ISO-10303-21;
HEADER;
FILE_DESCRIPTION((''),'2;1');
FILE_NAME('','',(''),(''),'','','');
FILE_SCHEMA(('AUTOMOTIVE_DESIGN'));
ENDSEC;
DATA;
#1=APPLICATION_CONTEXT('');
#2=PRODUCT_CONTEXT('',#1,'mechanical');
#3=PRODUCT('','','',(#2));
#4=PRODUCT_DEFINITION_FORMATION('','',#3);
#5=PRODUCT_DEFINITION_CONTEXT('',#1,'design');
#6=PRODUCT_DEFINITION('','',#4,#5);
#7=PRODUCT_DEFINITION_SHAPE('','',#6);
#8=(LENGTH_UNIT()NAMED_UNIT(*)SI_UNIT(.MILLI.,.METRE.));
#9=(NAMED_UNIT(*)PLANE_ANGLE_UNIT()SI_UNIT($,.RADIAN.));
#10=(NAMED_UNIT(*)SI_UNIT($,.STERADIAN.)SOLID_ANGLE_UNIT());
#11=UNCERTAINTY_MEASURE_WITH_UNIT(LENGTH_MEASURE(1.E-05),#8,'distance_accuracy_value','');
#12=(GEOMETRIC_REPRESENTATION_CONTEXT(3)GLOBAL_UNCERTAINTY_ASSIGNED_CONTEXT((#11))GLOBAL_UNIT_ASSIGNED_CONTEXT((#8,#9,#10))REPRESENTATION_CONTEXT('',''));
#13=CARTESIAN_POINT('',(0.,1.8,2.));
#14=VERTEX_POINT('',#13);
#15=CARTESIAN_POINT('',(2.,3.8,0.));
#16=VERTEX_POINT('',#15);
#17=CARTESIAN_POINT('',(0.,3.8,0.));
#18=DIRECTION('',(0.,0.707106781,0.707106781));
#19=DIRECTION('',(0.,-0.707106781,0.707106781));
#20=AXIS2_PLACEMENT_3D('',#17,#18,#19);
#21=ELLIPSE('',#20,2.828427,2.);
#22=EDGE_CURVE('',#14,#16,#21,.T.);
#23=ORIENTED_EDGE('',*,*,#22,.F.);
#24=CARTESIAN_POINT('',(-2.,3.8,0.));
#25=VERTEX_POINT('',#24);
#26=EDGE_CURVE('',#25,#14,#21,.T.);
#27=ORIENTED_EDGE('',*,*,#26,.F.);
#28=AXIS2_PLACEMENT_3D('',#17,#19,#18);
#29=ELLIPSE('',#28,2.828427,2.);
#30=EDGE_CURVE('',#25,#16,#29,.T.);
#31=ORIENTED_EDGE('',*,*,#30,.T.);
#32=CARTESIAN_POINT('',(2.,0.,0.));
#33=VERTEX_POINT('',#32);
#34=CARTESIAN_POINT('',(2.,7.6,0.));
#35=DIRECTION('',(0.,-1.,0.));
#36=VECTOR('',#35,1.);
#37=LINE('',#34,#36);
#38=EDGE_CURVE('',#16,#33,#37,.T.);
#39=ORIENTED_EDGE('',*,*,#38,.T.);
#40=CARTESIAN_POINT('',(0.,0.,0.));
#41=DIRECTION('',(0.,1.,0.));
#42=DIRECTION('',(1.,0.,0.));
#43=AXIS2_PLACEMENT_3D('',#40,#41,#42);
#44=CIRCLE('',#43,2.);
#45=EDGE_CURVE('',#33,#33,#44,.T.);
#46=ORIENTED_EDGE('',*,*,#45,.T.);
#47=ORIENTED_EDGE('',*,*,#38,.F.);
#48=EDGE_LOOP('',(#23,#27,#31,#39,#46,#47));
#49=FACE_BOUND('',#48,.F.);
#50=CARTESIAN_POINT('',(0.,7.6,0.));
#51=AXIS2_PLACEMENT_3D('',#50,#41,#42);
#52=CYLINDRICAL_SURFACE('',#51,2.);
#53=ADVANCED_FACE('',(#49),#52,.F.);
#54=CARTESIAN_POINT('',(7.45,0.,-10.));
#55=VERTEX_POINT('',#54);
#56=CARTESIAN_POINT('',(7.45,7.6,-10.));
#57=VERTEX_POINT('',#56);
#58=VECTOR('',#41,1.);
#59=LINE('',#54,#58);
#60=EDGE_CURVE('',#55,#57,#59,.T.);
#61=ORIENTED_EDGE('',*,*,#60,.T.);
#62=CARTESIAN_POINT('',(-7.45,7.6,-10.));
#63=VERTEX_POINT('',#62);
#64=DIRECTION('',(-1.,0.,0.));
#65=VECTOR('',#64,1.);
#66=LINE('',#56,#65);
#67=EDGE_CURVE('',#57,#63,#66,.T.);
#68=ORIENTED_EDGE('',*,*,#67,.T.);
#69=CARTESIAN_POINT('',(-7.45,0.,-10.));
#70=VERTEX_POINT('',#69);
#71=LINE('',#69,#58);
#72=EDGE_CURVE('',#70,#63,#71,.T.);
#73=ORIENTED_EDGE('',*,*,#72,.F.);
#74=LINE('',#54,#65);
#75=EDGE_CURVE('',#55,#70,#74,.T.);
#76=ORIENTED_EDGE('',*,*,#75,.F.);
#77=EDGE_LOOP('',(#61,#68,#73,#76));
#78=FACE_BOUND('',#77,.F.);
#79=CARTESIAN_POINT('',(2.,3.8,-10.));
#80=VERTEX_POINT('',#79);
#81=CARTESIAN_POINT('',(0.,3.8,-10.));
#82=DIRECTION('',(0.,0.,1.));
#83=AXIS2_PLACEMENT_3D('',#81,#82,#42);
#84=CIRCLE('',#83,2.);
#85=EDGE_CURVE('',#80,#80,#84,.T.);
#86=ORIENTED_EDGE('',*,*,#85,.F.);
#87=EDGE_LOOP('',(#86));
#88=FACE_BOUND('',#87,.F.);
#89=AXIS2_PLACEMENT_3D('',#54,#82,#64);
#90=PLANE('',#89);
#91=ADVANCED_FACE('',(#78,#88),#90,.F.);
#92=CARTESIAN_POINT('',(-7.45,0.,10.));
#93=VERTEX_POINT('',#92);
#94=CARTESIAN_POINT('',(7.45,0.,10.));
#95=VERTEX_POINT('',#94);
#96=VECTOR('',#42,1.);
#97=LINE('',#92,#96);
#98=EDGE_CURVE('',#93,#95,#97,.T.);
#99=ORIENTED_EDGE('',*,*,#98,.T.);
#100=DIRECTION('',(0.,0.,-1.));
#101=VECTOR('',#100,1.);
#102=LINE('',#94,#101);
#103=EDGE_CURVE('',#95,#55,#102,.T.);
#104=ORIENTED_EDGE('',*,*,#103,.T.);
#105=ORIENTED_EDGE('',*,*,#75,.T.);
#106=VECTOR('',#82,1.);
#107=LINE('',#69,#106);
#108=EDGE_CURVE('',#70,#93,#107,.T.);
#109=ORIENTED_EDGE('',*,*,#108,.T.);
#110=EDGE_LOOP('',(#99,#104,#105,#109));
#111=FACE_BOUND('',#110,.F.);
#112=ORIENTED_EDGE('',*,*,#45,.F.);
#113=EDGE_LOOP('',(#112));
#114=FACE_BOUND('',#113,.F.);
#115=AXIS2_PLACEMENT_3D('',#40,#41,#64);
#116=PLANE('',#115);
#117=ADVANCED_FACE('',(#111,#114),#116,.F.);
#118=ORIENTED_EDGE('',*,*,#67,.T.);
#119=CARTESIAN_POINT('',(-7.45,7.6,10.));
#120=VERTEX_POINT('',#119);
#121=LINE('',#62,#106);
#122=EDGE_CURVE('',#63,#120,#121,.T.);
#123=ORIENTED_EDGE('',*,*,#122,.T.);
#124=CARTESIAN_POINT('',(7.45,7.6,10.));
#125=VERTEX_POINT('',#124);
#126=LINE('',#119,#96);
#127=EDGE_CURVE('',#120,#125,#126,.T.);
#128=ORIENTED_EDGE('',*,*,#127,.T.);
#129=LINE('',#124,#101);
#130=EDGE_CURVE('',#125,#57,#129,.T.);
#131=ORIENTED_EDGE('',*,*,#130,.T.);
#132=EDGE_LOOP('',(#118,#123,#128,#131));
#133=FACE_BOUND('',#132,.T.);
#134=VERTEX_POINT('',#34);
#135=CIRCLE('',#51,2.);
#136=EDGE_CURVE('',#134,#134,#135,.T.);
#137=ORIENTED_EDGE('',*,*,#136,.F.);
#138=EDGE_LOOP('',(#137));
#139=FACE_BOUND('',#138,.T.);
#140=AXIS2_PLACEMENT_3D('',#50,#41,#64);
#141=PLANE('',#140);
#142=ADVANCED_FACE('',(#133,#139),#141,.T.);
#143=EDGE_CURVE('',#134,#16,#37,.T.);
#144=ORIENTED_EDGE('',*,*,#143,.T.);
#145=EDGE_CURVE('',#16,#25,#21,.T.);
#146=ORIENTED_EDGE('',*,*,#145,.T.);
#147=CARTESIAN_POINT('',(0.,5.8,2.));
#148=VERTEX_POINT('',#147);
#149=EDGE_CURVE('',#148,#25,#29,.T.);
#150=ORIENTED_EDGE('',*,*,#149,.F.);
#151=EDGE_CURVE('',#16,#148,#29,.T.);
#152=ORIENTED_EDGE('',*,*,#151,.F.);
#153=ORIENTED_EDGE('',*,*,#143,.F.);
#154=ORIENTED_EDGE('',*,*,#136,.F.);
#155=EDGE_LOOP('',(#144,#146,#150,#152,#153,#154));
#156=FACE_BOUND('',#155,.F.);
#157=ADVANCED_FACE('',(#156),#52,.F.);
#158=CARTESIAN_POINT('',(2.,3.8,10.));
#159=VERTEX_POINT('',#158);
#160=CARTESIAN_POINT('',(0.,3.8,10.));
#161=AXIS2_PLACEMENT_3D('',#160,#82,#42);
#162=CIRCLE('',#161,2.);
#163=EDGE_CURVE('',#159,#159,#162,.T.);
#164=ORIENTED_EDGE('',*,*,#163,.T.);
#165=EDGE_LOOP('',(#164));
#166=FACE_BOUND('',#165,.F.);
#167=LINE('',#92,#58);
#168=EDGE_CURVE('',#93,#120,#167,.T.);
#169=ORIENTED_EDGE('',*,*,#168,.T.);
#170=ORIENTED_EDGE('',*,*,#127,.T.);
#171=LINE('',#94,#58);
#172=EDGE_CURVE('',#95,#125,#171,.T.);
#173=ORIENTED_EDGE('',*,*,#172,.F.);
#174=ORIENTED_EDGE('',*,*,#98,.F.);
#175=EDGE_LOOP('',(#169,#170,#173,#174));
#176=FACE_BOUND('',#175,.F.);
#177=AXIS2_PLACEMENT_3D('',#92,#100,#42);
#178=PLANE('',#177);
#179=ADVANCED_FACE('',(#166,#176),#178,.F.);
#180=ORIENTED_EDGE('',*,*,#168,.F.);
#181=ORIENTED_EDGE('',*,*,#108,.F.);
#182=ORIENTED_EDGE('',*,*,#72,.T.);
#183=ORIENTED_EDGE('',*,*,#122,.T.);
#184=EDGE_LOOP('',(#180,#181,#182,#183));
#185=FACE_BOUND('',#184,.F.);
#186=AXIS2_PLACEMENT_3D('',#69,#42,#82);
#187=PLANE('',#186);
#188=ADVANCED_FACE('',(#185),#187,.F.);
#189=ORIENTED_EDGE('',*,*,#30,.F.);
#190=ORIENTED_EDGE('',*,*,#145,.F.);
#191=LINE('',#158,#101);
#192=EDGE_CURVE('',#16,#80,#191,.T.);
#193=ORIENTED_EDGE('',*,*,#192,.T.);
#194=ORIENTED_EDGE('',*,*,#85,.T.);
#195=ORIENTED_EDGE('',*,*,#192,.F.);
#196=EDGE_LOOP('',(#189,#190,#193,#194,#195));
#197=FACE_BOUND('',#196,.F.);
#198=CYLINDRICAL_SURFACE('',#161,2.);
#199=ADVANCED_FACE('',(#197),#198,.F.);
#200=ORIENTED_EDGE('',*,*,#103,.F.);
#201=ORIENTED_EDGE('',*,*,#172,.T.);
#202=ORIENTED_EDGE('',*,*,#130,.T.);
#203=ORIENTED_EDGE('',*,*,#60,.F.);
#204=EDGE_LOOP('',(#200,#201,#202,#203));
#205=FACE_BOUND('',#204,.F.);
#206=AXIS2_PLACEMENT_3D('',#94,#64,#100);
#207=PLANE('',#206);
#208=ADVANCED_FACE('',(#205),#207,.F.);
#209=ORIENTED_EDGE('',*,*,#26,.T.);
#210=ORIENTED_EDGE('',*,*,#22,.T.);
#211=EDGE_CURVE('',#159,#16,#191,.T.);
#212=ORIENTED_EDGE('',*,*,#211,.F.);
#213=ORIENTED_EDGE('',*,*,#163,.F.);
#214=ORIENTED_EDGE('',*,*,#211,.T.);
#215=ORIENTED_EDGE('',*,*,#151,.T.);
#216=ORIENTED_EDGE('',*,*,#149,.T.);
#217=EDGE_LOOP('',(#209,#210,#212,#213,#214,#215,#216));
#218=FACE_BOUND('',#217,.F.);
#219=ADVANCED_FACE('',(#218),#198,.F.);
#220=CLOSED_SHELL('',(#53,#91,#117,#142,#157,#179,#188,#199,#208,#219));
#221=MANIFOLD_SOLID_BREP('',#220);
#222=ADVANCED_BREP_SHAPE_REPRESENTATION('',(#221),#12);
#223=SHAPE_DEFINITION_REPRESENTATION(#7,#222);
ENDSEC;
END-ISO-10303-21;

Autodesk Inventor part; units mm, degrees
ref_plane "YZ Plane" through (0, 0, 0) normal (1, 0, 0) x (0, 1, 0)
ref_plane "XZ Plane" through (0, 0, 0) normal (0, 1, 0) x (-1, 0, 0)
ref_plane "XY Plane" through (0, 0, 0) normal (0, 0, 1) x (1, 0, 0)
sketch "Sketch1" plane through (0, 0, 0) normal (0, 1, 0) x (-1, 0, 0)
  line L0 (-7.45, 10) -> (-7.45, -10)
  line L1 (-7.45, -10) -> (7.45, -10)
  line L2 (7.45, -10) -> (7.45, 10)
  line L3 (7.45, 10) -> (-7.45, 10)
  line L4 (-7.45, 10) -> (7.45, -10) construction
  line L5 (-7.45, -10) -> (7.45, 10) construction
  point P0 (0, 0)
  dimension "d0" = 14.9
  dimension "d1" = 20
extrude "Extrusion1" add sketch "Sketch1" along normal blind 7.6
sketch "Sketch2" plane through (-7.45, 0, 10) normal (0, 0, 1) x (1, 0, 0)
  line L0 (14.9, 0) -> (0, 0) projected
  line L1 (14.9, 7.6) -> (0, 7.6) projected
  line L2 (0, 0) -> (14.9, 7.6) construction
  line L3 (0, 7.6) -> (14.9, 0) construction
  circle A0 centre (7.45, 3.8) radius 2
  point P0 (7.45, 0)
  dimension "d4" = 4
extrude "Extrusion2" cut sketch "Sketch2" against normal through all
sketch "Sketch3" plane through (0, 7.6, 0) normal (0, 1, 0) x (1, 0, 0)
  circle A0 centre (0, 0) radius 2
  dimension "d7" = 4
extrude "Extrusion3" cut sketch "Sketch3" against normal through all
properties part number "MM3_track"
